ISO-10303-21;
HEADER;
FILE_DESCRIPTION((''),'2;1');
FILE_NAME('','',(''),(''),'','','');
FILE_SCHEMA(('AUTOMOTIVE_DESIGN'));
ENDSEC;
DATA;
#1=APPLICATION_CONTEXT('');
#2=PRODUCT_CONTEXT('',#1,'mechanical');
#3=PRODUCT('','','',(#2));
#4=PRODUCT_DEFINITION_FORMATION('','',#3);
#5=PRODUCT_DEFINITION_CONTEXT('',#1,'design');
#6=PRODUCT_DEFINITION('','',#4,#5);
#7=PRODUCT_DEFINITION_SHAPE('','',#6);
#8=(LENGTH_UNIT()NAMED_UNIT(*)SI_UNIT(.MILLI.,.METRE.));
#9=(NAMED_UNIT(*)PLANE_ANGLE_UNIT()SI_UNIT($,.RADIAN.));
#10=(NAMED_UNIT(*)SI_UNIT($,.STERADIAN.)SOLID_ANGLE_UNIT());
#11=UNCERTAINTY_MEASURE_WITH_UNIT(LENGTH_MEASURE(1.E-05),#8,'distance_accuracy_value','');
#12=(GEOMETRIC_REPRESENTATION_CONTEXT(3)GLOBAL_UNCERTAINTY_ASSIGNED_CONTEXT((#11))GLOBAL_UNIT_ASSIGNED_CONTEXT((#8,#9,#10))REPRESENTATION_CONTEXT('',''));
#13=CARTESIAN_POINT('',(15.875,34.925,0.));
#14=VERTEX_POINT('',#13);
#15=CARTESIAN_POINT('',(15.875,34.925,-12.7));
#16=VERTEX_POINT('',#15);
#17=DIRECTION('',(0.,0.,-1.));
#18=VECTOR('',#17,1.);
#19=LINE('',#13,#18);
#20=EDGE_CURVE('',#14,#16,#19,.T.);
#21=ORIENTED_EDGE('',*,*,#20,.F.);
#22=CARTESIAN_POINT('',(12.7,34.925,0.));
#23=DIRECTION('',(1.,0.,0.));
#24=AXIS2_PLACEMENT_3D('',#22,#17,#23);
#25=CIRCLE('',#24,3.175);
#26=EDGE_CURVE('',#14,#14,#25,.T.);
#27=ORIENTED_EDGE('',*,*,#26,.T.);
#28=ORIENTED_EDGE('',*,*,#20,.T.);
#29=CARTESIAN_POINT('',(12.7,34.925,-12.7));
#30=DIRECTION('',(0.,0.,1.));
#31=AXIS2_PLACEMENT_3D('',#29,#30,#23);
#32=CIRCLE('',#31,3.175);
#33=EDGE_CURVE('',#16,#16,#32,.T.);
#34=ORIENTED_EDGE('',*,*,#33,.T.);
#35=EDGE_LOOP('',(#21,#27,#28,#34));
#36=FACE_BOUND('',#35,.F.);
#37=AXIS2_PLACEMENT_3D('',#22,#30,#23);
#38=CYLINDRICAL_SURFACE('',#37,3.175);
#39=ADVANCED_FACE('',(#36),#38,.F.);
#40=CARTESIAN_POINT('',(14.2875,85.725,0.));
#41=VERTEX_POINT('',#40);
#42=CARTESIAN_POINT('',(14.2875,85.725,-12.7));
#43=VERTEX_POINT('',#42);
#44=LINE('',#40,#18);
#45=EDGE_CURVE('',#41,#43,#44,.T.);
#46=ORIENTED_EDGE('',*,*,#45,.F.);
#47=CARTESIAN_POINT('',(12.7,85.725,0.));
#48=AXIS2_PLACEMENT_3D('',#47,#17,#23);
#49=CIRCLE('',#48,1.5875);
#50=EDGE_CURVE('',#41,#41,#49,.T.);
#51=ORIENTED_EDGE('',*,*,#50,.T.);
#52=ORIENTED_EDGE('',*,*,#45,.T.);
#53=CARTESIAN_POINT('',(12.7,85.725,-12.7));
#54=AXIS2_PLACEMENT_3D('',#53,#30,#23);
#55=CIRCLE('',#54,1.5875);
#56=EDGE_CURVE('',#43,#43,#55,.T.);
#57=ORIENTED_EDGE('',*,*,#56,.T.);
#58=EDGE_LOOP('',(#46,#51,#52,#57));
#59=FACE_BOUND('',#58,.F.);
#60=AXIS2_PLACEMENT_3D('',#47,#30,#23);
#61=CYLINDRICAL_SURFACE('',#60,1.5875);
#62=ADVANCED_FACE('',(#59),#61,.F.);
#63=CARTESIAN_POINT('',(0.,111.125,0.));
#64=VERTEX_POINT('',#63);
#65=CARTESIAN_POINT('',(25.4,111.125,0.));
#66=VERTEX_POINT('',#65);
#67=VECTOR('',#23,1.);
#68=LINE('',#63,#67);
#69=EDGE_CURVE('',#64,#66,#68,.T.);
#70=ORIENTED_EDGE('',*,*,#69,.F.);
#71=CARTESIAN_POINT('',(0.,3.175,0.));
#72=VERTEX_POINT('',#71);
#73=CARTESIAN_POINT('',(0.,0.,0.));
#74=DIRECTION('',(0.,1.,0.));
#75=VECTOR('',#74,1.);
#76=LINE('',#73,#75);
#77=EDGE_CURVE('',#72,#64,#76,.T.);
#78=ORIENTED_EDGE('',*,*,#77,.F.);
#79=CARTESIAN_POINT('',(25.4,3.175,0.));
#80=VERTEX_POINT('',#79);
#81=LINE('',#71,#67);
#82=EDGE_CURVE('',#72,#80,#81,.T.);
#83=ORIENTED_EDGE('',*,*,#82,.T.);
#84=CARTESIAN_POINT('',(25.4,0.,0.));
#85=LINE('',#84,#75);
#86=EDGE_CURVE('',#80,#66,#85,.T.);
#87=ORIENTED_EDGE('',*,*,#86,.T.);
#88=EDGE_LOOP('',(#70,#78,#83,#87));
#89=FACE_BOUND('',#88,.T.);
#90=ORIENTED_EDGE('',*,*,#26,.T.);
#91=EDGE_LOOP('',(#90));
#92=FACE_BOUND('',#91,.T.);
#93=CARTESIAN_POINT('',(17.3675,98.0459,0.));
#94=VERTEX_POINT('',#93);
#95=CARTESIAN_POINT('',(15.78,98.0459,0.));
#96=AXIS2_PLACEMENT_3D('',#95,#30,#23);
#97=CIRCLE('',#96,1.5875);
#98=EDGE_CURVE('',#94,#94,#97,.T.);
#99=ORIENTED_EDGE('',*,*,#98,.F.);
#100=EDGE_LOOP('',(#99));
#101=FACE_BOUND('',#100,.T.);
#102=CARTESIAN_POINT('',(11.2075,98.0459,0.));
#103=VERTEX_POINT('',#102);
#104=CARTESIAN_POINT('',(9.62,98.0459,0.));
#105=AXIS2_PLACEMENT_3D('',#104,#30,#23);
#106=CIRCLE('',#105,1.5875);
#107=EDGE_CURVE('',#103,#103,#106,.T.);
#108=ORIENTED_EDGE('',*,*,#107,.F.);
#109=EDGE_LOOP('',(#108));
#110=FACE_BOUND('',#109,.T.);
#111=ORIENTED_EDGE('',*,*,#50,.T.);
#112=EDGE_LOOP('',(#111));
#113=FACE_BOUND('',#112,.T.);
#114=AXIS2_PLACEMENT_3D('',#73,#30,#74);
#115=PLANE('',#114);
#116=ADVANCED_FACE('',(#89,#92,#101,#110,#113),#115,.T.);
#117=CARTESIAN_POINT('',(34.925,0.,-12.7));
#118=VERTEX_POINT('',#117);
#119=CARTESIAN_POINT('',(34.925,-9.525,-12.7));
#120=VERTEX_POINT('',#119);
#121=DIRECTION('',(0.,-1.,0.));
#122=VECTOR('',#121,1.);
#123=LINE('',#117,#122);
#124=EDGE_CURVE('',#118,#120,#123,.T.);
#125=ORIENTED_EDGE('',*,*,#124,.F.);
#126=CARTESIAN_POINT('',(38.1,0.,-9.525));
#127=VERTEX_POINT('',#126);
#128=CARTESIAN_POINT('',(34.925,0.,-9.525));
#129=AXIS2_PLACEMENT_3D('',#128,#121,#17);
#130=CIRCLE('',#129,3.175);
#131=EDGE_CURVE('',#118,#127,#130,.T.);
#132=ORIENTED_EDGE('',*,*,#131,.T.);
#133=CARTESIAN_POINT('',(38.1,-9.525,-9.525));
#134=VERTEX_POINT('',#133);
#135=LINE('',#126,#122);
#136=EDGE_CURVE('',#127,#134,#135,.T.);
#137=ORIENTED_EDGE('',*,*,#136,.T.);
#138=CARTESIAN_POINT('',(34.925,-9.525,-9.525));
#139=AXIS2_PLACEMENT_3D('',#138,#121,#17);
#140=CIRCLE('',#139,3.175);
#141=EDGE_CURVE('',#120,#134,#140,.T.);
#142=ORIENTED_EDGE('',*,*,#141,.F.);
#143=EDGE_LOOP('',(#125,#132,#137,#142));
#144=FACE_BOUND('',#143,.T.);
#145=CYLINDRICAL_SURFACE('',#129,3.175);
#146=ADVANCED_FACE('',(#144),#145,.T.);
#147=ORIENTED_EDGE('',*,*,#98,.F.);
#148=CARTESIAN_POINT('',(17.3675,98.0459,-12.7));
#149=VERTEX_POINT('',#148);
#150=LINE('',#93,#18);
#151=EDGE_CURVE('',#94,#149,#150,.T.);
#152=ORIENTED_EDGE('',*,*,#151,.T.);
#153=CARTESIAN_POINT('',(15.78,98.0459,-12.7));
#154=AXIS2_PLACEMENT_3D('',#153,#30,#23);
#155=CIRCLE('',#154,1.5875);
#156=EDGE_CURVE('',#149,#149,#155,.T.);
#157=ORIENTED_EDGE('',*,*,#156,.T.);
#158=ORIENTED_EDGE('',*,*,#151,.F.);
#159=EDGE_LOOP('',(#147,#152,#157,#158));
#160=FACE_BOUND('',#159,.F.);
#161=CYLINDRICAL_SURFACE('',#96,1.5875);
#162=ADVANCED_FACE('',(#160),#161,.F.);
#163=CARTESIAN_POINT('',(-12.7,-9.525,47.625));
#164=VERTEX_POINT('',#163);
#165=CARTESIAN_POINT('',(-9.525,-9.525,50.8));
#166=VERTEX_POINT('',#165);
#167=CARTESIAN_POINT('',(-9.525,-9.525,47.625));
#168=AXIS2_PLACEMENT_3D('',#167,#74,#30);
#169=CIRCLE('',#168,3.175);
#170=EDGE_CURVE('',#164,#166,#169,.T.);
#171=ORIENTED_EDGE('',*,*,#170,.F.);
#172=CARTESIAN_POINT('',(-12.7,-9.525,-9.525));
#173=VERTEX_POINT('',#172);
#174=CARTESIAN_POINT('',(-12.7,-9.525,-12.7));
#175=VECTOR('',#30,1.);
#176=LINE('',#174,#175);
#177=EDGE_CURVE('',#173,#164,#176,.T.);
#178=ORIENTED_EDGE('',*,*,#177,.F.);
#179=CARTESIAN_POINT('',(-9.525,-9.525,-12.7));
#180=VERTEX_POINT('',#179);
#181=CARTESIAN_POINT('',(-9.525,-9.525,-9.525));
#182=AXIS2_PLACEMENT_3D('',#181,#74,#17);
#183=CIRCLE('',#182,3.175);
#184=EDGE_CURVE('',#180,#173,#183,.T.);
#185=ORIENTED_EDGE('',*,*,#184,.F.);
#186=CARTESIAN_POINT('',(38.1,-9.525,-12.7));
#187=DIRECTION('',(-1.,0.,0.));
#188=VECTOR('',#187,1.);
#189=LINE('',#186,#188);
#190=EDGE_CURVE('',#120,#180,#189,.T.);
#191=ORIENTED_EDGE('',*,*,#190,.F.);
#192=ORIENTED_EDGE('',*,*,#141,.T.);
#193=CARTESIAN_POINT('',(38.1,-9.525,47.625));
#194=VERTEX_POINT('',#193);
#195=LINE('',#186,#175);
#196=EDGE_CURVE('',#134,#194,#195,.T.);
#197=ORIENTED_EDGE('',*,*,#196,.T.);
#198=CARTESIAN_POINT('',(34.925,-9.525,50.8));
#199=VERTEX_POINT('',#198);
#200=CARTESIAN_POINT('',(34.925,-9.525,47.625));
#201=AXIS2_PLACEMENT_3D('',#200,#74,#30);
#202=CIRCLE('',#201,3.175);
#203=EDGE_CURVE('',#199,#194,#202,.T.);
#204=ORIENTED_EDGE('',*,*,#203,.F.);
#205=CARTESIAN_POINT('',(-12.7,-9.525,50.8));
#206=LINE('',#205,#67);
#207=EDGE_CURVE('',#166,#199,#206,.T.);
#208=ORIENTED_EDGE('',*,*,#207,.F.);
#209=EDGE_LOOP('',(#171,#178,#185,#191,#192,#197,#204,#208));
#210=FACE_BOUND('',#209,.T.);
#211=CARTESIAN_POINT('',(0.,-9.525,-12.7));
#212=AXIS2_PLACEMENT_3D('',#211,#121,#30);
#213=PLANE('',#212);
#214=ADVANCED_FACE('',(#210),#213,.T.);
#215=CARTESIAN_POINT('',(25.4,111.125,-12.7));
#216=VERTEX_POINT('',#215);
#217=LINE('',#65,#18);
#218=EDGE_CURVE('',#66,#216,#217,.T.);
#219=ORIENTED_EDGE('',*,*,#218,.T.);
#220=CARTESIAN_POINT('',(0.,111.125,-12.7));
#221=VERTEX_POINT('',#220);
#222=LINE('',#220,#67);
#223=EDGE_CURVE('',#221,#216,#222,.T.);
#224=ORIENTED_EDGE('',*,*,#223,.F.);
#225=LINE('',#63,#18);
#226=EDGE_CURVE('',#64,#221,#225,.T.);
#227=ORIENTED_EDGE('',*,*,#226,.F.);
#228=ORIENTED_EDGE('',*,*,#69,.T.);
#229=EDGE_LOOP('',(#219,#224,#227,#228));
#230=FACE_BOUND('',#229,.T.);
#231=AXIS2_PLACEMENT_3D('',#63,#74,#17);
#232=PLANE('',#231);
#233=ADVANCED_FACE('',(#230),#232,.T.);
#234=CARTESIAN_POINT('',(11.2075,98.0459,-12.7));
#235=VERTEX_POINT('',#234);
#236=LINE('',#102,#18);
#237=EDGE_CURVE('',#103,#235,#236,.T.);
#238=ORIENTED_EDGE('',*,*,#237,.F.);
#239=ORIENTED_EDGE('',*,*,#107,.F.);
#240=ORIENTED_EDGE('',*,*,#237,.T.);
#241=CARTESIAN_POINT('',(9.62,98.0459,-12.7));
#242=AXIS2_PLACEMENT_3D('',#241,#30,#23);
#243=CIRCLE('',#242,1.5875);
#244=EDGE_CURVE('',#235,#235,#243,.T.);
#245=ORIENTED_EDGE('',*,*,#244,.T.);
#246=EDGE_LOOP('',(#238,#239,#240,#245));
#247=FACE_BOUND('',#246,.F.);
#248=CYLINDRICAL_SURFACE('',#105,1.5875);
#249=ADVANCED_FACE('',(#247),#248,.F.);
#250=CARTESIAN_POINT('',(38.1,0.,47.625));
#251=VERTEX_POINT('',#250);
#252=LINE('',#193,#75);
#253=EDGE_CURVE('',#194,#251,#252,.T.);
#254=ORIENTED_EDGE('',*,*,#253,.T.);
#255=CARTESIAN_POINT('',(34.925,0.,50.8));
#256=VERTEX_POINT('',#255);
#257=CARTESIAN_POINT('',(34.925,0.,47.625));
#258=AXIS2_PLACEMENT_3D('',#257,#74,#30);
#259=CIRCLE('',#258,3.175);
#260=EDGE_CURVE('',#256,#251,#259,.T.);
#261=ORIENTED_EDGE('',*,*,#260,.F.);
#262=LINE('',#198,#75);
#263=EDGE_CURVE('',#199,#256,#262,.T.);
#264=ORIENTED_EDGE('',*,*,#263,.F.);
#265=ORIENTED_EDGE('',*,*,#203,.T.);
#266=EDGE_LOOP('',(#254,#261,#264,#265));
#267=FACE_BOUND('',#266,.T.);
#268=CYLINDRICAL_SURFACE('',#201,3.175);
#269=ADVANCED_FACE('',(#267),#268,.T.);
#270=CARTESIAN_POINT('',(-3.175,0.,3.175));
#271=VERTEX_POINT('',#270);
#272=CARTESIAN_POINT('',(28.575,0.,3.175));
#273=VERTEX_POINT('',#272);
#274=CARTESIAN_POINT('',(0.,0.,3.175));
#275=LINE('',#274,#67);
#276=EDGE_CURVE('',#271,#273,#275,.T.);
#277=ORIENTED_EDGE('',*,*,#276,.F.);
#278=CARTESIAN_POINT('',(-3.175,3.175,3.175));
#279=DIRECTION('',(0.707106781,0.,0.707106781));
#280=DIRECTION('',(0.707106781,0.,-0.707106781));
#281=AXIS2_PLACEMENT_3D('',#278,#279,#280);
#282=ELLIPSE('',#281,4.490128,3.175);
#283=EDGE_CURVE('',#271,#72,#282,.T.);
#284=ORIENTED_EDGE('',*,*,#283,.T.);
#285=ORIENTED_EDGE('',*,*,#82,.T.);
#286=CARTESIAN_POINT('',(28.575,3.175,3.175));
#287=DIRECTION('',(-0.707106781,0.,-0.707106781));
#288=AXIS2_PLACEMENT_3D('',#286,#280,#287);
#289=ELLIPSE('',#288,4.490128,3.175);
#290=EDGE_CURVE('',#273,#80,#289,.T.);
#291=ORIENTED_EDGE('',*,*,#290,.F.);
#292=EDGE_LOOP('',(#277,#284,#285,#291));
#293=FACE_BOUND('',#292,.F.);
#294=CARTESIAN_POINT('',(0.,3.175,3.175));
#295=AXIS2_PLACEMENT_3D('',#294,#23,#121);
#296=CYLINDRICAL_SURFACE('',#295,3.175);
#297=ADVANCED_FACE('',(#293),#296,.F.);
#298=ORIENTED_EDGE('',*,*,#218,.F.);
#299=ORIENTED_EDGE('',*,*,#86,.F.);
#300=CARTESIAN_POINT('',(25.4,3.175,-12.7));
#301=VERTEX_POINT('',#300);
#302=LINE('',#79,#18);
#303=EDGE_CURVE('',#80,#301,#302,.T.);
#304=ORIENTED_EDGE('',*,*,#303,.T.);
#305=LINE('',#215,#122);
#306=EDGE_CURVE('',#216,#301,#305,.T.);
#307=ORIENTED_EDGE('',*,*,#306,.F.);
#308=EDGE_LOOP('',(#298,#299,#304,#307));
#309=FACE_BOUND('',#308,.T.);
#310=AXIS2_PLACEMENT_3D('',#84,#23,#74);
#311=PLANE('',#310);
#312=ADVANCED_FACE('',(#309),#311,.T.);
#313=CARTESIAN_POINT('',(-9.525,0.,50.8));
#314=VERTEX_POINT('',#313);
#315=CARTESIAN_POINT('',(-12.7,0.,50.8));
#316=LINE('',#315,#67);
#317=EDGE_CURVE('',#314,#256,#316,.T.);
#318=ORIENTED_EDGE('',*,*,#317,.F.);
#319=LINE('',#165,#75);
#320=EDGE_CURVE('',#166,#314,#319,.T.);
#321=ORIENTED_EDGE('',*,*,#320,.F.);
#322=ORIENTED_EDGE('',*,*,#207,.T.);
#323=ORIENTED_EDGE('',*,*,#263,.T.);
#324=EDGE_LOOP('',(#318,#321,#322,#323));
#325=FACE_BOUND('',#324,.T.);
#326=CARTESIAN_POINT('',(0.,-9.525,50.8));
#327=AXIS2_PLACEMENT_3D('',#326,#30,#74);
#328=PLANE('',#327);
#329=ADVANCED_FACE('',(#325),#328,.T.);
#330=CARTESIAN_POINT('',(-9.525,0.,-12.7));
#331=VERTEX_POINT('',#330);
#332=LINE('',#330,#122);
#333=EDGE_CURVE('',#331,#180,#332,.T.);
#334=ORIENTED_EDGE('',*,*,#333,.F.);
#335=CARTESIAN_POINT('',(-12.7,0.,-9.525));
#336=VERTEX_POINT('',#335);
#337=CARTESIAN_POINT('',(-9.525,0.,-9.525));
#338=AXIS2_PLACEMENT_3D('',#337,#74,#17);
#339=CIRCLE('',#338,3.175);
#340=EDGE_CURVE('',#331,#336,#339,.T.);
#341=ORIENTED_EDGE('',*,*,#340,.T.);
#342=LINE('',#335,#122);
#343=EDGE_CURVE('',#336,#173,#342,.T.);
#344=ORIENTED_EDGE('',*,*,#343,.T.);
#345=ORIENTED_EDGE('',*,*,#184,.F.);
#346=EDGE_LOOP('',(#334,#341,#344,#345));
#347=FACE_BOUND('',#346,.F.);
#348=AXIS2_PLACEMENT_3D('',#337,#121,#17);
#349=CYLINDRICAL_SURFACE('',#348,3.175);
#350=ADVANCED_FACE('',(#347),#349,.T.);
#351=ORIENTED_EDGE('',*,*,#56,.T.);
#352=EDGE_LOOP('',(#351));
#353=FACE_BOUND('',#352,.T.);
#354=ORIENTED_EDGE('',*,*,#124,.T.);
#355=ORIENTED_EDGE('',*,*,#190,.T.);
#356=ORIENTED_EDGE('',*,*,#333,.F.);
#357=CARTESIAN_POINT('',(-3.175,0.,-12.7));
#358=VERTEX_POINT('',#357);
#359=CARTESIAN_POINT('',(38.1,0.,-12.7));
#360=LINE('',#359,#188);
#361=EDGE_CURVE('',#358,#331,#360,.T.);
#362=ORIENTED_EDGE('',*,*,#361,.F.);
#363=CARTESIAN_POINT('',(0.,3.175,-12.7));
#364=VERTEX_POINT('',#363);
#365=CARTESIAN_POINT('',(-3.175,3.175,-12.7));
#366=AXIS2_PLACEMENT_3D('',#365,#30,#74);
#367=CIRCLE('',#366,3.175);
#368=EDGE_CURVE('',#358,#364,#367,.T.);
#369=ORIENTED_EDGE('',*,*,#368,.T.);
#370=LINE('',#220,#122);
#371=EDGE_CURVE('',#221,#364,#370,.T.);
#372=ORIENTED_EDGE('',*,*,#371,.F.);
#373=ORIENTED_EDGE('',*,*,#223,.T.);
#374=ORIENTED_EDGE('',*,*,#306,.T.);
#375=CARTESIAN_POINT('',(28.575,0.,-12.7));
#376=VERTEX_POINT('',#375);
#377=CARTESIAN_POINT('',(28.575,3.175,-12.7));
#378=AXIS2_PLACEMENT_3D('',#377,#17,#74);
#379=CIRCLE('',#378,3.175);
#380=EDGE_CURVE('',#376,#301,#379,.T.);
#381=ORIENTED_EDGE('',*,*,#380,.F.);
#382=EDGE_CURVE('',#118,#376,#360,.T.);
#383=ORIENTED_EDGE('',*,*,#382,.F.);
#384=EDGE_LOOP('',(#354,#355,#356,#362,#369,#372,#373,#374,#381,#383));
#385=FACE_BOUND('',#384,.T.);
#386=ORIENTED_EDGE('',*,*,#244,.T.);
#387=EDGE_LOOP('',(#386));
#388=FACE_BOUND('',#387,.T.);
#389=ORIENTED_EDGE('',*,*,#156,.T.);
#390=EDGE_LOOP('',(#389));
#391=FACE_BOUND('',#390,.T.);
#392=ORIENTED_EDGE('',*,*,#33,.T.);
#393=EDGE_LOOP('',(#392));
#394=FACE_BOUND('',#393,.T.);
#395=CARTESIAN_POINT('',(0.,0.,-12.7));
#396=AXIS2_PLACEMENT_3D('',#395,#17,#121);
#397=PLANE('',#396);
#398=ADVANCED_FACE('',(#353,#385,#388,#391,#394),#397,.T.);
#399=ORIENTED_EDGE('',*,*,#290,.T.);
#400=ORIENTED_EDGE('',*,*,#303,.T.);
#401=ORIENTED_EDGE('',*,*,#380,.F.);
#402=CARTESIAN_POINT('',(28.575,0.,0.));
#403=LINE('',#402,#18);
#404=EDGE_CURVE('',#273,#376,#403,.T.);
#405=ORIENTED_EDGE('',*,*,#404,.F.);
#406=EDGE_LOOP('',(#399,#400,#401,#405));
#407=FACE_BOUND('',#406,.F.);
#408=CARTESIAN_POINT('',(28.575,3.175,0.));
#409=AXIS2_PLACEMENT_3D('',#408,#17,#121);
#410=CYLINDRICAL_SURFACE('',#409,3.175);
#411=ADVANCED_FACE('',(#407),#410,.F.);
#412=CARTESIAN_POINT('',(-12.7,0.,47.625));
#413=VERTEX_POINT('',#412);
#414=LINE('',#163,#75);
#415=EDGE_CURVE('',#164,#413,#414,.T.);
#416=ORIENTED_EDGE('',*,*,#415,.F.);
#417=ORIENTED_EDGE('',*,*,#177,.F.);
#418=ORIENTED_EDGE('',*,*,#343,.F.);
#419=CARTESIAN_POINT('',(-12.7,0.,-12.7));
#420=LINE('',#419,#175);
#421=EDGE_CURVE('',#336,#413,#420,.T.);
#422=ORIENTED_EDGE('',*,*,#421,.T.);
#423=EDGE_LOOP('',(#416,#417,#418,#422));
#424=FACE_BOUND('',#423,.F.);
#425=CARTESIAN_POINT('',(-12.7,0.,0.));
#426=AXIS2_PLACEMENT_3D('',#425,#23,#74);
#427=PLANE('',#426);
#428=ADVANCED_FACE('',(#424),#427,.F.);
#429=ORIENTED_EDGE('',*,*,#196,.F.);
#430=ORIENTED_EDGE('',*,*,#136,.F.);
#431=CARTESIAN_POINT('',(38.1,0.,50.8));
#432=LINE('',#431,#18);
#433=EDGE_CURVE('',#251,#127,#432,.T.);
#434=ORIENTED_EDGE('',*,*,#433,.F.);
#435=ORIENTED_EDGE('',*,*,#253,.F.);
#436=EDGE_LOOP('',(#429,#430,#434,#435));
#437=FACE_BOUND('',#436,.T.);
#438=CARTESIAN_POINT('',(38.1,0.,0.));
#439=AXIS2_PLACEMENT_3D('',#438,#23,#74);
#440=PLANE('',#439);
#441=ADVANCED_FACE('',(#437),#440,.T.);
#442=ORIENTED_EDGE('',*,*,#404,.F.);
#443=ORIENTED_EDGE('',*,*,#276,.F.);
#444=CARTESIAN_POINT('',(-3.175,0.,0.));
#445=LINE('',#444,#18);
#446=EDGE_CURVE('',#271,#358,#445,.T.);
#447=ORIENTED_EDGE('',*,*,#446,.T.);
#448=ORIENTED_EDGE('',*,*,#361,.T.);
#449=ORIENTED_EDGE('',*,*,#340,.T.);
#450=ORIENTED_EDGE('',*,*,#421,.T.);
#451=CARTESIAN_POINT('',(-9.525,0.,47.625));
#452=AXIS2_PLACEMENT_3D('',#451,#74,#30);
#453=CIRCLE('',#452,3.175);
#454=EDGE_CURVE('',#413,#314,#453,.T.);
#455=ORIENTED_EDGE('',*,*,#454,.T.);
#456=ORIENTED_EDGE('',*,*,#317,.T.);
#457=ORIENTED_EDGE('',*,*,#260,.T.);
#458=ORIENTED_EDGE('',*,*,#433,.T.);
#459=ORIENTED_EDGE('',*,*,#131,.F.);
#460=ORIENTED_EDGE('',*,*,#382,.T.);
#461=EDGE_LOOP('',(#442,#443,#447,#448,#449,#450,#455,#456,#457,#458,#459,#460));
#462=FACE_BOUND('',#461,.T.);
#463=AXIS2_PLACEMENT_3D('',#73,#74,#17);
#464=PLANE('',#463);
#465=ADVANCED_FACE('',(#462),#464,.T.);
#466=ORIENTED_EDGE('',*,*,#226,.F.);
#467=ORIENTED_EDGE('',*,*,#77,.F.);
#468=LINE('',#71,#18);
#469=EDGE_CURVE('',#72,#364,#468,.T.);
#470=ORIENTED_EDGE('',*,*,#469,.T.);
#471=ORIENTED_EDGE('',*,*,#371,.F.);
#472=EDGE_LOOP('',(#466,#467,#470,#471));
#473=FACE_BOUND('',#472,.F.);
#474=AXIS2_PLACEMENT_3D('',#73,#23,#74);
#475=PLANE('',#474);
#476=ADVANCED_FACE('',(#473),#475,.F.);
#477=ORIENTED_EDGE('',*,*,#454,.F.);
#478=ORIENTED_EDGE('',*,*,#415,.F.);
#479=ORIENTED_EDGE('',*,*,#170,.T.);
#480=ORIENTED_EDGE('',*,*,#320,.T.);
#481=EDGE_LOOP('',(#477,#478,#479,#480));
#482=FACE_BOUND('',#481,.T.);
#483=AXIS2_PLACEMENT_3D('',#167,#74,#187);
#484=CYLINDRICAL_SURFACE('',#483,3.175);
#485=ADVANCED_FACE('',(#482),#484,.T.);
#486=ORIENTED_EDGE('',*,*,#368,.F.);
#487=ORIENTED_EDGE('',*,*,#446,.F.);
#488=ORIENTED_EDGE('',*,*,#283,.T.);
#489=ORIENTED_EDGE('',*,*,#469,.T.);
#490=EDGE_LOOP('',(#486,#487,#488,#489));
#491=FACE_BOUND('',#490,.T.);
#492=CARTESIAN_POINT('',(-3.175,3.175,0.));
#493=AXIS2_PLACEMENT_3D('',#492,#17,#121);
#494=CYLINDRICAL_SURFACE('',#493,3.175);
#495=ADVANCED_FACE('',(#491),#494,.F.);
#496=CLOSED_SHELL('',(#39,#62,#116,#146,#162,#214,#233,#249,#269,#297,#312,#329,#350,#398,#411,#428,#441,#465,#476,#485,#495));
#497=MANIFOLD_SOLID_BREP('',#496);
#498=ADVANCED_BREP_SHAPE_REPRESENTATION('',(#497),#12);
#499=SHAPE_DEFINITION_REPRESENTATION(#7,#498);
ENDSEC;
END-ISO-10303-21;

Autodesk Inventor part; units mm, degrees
ref_plane "YZ Plane" through (0, 0, 0) normal (1, 0, 0) x (0, 1, 0)
ref_plane "XZ Plane" through (0, 0, 0) normal (0, 1, 0) x (-1, 0, 0)
ref_plane "XY Plane" through (0, 0, 0) normal (0, 0, 1) x (1, 0, 0)
sketch "Sketch1" plane through (0, 0, 0) normal (1, 0, 0) x (0, 1, 0)
  line L0 (0, 0) -> (111.125, 0)
  line L1 (111.125, 0) -> (111.125, -12.7)
  line L2 (111.125, -12.7) -> (-9.525, -12.7)
  line L3 (-9.525, -12.7) -> (-9.525, 50.8)
  line L4 (-9.525, 50.8) -> (0, 50.8)
  line L5 (0, 50.8) -> (0, 0)
  line L6 (0, 0) -> (0, -12.7)
  dimension "d0" = 111.125
  dimension "d1" = 12.7
  dimension "d2" = 120.65
  dimension "d3" = 63.5
extrude "Extrusion1" add sketch "Sketch1" along normal blind 25.4 contours L0 L1 L2 L6
sketch "Sketch2" plane through (0, 0, 0) normal (0, 0, 1) x (1, 0, 0)
  line L0 (0, 0) -> (25.4, 0) projected
  circle A0 centre (12.7, 34.925) radius 3.175
  circle A1 centre (12.7, 85.725) radius 1.5875
  circle A2 centre (15.78, 98.0459) radius 1.5875
  line L1 (25.4, 111.125) -> (25.4, 0) projected
  line L2 (0, 111.125) -> (0, 0) projected
  circle A3 centre (9.62, 98.0459) radius 1.5875
  line L3 (0, 111.125) -> (25.4, 111.125) projected
  line L4 (12.7, 111.125) -> (12.7, 0)
  dimension "d7" = 6.35
  dimension "d8" = 3.175
  dimension "d9" = 34.925
  dimension "d10" = 50.8
  dimension "d11" = 3.175
  dimension "d12" = 12.7
  dimension "d17" = 3.175
  dimension "d18" = 12.7
  dimension "d22" = 3.08
  dimension "d23" = 3.08
extrude "Extrusion2" cut sketch "Sketch2" against normal blind 25.4 contours L4 A0 | A0 L4 | L4 A1 | A1 L4 | A2 | A3
extrude "Extrusion3" add sketch "Sketch1" along normal blind 38.1 and the other way blind 12.7 contours L6 L2 L3 L4 L5
fillet "Fillet1" radius 3.175 3 edges at (25.4, 0, -6.35) (12.7, 0, 0) (0, 0, -6.35)
fillet "Fillet2" radius 3.175 4 edges at (38.1, -4.7625, -12.7) (38.1, -4.7625, 50.8) (-12.7, -4.7625, 50.8) (-12.7, -4.7625, -12.7)
properties part number "Based"
